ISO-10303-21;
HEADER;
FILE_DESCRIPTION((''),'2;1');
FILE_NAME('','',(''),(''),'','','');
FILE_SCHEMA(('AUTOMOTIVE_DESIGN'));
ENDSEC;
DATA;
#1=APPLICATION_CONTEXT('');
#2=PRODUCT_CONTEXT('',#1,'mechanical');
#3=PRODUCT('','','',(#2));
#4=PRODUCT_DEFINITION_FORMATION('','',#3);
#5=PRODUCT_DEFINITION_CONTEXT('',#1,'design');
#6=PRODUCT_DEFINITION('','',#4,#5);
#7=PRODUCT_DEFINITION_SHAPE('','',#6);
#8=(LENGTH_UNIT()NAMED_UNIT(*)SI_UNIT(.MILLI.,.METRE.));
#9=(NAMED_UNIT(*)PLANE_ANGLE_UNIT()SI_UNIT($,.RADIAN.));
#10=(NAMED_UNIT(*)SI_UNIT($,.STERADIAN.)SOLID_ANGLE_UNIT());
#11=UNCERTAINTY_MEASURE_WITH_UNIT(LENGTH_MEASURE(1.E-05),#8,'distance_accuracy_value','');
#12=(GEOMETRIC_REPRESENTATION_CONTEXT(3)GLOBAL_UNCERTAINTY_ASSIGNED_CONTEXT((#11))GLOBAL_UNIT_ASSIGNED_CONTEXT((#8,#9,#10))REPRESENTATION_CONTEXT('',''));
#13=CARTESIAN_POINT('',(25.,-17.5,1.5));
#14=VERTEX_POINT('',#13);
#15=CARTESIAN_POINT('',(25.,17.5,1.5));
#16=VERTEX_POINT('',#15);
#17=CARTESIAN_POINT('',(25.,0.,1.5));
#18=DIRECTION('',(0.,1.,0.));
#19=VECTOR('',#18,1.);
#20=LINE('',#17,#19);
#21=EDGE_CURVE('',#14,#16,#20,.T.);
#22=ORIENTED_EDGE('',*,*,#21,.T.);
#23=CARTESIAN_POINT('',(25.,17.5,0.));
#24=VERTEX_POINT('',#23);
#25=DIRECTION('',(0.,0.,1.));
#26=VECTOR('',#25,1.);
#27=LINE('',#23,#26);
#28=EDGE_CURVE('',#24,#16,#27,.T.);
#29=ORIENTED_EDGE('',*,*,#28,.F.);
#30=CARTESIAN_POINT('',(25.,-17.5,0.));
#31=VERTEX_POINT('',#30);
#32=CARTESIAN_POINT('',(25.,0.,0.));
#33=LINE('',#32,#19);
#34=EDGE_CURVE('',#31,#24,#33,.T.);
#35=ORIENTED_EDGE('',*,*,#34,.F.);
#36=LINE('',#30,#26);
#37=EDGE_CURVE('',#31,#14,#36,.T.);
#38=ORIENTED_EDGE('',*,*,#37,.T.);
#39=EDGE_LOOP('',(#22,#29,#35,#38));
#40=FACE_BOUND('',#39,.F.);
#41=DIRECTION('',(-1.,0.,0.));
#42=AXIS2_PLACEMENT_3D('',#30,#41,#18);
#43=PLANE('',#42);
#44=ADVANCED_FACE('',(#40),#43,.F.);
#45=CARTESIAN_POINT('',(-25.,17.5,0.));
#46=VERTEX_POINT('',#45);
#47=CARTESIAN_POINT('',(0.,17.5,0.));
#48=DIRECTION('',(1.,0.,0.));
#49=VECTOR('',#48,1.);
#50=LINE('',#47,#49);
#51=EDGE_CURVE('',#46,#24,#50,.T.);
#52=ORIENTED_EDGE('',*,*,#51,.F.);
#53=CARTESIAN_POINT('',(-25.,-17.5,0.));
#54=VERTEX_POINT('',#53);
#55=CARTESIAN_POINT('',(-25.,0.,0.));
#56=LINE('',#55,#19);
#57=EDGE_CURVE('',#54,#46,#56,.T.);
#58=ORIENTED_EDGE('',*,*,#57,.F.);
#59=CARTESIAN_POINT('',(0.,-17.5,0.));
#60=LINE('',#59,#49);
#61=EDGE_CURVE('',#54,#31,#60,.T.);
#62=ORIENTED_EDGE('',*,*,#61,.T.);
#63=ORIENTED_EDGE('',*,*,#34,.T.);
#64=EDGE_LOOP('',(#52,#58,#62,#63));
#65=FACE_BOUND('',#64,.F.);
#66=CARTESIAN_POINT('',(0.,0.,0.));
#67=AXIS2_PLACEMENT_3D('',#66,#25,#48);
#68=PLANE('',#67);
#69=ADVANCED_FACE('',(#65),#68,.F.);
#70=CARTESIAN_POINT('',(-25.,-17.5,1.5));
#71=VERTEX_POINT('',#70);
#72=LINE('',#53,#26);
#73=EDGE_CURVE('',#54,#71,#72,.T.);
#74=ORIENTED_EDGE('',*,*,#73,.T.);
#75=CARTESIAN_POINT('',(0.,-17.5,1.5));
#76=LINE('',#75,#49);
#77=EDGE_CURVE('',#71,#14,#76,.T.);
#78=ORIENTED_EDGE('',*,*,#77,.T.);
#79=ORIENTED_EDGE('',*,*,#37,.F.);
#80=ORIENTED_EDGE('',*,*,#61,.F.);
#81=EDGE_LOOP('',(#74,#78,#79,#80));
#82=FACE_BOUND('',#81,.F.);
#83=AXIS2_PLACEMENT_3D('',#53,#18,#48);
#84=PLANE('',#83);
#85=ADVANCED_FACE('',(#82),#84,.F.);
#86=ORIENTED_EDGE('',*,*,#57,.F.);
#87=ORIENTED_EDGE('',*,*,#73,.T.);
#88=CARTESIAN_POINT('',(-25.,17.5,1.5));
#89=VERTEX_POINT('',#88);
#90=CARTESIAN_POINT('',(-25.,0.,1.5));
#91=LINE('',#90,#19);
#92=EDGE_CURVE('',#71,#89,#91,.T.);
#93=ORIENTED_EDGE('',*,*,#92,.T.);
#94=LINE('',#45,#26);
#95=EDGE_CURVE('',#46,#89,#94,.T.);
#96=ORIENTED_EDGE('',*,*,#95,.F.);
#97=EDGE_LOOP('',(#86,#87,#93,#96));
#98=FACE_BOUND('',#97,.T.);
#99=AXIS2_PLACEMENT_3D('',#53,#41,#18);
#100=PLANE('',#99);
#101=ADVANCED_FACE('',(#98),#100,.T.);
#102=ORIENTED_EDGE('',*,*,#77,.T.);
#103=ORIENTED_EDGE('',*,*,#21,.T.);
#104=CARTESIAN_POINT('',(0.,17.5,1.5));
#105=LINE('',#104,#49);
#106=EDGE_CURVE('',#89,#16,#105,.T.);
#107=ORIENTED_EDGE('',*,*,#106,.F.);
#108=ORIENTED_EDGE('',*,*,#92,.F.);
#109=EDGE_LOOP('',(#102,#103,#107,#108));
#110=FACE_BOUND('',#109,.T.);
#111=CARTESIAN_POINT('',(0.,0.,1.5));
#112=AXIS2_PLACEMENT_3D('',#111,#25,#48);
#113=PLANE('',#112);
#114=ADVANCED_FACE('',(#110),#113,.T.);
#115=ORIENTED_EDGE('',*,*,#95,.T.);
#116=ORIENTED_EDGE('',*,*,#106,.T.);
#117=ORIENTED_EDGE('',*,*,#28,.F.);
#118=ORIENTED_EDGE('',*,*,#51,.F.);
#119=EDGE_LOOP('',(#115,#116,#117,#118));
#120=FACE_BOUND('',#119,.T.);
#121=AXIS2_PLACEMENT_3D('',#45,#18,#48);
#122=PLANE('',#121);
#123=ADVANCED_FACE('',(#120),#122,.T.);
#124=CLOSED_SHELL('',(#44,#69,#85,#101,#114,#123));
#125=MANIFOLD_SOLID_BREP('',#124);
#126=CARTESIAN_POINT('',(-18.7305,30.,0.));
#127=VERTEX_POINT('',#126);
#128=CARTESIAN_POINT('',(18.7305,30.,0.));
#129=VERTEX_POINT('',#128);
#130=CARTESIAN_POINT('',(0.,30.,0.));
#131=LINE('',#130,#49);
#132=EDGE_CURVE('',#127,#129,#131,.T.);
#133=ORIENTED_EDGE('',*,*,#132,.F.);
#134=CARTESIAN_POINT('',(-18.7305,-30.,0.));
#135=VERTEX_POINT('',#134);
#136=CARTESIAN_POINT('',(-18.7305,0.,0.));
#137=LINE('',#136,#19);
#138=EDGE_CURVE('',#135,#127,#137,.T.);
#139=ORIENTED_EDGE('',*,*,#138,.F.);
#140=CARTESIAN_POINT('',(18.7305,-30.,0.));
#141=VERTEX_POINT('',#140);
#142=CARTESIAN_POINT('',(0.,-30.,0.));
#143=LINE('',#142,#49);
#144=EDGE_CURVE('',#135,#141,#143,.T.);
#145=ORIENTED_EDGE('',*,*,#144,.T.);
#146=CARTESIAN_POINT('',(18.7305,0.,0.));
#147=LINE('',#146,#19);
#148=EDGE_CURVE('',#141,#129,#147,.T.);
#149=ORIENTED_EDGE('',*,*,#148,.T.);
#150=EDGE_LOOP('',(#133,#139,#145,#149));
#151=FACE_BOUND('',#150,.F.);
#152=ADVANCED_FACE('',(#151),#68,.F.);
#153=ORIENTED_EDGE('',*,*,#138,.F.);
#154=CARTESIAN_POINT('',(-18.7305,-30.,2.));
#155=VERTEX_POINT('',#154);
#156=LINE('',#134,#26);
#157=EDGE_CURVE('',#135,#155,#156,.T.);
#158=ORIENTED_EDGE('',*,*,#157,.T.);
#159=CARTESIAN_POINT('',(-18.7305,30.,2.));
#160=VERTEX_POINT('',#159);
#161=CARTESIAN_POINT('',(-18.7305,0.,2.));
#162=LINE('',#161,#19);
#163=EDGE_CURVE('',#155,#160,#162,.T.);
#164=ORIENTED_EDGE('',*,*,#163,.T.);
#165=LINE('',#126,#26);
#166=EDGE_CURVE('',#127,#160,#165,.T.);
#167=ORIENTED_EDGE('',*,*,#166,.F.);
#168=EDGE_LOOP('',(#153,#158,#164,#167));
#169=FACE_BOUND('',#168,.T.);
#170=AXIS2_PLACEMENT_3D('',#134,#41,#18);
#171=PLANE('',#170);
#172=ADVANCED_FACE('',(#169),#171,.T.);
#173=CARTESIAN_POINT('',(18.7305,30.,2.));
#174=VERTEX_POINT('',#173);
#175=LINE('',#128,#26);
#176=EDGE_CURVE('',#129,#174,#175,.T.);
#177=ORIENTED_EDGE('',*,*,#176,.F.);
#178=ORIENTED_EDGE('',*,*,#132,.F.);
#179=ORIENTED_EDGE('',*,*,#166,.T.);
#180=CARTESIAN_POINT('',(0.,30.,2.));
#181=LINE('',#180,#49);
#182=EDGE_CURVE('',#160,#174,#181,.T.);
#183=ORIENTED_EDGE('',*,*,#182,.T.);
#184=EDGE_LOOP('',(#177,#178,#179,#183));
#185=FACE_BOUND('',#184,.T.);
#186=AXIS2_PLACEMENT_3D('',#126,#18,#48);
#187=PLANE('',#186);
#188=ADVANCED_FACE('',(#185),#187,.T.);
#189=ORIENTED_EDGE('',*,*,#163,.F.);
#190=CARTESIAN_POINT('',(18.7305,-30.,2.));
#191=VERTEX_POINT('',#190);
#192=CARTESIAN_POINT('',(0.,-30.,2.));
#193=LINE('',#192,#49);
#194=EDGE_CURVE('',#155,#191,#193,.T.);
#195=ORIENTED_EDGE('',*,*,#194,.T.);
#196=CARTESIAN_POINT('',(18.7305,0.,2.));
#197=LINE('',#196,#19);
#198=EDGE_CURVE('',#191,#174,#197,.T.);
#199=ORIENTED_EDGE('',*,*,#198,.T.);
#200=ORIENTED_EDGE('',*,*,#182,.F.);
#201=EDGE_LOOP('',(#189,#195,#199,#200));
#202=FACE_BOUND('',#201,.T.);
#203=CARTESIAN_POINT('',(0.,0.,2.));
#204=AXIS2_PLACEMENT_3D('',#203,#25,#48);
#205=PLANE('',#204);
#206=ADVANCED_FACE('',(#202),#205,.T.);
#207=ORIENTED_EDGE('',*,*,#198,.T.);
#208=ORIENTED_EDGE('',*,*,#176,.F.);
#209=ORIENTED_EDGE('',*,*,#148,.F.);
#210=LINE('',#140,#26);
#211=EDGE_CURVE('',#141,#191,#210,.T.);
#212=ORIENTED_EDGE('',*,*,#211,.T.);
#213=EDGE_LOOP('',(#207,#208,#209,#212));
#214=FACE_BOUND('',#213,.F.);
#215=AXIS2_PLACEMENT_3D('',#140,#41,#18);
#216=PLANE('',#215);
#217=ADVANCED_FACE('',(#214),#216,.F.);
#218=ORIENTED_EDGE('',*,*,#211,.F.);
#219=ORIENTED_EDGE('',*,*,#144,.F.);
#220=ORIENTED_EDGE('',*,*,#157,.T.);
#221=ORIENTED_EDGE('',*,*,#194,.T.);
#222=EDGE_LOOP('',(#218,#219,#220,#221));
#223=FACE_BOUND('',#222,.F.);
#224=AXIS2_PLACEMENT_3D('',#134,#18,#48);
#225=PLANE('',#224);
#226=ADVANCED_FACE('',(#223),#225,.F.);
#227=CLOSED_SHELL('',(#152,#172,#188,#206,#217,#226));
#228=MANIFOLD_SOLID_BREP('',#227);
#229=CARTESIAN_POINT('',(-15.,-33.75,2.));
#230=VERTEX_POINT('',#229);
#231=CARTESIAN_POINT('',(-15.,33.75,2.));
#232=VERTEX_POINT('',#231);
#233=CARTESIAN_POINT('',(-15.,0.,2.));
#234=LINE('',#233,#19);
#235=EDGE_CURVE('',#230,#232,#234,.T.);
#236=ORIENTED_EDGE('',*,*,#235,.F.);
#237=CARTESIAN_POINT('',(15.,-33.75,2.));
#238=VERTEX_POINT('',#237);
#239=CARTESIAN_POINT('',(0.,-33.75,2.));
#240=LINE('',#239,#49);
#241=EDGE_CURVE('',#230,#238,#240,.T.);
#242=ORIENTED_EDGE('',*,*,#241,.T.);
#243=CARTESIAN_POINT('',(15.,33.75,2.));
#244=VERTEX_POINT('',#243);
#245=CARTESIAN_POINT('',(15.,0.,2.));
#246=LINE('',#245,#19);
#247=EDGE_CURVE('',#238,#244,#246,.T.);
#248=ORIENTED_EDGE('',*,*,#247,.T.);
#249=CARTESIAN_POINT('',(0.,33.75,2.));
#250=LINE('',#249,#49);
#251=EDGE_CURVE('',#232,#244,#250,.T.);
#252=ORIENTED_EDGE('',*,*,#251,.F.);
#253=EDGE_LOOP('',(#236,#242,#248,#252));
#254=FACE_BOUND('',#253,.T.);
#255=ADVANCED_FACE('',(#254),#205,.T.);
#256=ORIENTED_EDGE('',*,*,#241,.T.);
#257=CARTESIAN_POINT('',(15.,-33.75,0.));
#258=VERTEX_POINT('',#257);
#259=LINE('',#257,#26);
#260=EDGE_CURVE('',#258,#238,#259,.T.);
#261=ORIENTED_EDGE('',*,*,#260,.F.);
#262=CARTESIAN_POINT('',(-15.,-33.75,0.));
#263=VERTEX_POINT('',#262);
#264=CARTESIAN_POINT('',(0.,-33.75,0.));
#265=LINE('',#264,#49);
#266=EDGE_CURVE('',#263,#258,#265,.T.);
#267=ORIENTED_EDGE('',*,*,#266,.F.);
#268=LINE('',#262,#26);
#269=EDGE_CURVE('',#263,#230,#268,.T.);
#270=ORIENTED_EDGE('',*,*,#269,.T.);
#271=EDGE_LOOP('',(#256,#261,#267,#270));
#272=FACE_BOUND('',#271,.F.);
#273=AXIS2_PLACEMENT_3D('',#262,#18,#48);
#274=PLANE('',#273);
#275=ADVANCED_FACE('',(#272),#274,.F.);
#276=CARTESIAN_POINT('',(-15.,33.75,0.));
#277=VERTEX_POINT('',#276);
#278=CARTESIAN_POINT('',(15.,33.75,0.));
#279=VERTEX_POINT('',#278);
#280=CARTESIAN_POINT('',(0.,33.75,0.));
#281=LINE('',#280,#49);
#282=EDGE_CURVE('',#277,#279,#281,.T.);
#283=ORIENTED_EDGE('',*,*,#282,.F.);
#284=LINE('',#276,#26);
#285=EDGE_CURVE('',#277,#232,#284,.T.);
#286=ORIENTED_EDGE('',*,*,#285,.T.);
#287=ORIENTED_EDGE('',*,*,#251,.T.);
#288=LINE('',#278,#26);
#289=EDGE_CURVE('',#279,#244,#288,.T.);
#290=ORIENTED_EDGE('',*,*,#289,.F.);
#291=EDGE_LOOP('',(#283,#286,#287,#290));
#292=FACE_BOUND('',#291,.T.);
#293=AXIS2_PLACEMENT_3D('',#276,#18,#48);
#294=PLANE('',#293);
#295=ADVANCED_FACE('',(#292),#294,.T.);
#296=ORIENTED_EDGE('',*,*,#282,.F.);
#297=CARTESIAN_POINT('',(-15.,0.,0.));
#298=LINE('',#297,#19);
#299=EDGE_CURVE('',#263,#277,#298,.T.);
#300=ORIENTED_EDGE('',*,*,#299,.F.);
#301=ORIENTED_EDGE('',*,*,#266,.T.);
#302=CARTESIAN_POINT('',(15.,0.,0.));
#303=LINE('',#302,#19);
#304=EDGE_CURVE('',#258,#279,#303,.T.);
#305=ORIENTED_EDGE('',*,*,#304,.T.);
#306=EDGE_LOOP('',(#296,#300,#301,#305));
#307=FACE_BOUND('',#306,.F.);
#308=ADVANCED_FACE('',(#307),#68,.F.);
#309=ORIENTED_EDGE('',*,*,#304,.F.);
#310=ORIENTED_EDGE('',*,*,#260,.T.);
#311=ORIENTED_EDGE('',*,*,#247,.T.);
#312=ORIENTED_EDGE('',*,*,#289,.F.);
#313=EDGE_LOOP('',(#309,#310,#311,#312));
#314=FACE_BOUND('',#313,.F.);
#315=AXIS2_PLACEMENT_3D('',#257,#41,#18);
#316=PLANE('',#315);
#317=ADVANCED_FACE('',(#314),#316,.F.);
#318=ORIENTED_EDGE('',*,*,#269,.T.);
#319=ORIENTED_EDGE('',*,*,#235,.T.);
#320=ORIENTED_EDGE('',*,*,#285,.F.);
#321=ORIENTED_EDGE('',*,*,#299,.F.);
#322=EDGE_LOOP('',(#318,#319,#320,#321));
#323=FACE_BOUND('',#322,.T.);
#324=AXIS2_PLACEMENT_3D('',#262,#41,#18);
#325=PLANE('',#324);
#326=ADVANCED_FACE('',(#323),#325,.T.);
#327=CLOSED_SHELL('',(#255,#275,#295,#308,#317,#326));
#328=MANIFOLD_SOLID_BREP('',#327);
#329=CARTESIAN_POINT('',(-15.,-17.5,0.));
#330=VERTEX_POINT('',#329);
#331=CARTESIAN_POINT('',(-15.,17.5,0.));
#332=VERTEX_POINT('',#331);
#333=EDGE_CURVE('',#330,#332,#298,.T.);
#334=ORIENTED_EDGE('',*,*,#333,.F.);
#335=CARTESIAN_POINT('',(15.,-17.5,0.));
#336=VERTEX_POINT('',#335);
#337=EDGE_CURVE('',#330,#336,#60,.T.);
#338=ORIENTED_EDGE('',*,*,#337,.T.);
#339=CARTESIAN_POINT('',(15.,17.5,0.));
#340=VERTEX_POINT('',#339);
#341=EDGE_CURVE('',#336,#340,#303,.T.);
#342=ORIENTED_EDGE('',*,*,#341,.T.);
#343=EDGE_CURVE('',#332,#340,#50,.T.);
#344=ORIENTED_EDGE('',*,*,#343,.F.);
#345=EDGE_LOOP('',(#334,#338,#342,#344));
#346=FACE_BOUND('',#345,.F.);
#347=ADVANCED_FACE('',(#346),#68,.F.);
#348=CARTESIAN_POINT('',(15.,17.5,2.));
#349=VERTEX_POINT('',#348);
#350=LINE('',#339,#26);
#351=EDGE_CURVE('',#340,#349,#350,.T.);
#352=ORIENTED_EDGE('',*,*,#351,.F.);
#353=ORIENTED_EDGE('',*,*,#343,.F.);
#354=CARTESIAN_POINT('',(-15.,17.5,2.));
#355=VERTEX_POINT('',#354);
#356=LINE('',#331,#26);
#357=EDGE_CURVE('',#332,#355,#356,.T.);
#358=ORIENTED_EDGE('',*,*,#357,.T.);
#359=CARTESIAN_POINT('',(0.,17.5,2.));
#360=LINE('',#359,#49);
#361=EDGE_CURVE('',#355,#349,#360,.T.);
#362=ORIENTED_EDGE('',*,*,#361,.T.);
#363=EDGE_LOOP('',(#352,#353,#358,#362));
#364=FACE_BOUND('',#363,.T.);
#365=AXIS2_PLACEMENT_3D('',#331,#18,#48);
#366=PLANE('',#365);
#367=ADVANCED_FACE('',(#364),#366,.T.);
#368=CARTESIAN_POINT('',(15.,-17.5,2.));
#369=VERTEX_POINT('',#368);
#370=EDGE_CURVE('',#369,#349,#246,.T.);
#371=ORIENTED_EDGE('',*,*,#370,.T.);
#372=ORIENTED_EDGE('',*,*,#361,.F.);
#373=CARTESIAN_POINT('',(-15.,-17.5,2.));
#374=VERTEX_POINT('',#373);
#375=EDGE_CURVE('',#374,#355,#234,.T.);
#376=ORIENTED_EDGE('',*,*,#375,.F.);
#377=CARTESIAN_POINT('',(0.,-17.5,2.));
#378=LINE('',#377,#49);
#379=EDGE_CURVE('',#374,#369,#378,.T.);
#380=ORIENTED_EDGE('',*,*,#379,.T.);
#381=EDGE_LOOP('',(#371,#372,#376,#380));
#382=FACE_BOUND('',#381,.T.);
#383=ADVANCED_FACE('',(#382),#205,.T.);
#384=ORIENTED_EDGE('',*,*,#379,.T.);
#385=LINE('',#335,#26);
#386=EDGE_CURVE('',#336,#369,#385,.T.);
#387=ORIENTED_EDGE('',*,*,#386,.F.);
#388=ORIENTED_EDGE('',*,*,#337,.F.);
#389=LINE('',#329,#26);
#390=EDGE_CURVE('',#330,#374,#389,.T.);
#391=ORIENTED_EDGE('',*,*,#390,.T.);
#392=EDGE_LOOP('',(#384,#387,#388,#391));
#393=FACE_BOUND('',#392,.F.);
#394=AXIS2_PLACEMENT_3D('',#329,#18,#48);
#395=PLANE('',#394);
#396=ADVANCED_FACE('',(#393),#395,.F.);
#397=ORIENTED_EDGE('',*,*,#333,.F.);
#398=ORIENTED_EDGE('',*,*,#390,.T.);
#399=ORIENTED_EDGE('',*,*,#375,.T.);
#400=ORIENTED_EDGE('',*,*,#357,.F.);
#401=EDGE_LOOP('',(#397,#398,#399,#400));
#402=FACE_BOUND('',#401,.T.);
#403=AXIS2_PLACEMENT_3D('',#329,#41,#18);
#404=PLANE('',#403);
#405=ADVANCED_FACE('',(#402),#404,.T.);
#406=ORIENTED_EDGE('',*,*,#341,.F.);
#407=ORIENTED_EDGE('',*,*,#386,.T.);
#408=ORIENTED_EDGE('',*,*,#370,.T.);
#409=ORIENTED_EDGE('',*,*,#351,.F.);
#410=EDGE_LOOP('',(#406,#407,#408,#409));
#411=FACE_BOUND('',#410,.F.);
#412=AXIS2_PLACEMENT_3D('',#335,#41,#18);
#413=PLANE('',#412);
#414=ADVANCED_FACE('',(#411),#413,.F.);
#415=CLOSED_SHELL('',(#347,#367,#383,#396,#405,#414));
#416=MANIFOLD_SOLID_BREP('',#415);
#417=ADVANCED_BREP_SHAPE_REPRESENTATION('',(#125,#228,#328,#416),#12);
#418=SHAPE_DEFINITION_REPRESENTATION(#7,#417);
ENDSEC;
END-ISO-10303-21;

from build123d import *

# Parameters (mm, degrees)
F0_W     = 30
F0_H     = 35
F1_DEPTH = 2
F2_W     = 30
F2_H     = 67.5
F3_DEPTH = 2
F4_W     = 50
F4_H     = 35
F5_DEPTH = 1.5
F6_W     = 37.461
F6_H     = 60
F7_DEPTH = 2


with BuildPart() as f1:
    # F0 (on Top) → F1 (new body)
    with BuildSketch(Plane.XY):
        Rectangle(F0_W, F0_H)
    extrude(amount=F1_DEPTH)


with BuildPart() as f3:
    # F2 (on Top) → F3 (new body)
    with BuildSketch(Plane.XY):
        Rectangle(F2_W, F2_H)
    extrude(amount=F3_DEPTH)


with BuildPart() as f5:
    # F4 (on Top) → F5 (new body)
    with BuildSketch(Plane.XY):
        Rectangle(F4_W, F4_H)
    extrude(amount=F5_DEPTH)


with BuildPart() as f7:
    # F6 (on Top) → F7 (new body)
    with BuildSketch(Plane.XY):
        Rectangle(F6_W, F6_H)
    extrude(amount=F7_DEPTH)


solid = Compound([f1.part, f3.part, f5.part, f7.part])
